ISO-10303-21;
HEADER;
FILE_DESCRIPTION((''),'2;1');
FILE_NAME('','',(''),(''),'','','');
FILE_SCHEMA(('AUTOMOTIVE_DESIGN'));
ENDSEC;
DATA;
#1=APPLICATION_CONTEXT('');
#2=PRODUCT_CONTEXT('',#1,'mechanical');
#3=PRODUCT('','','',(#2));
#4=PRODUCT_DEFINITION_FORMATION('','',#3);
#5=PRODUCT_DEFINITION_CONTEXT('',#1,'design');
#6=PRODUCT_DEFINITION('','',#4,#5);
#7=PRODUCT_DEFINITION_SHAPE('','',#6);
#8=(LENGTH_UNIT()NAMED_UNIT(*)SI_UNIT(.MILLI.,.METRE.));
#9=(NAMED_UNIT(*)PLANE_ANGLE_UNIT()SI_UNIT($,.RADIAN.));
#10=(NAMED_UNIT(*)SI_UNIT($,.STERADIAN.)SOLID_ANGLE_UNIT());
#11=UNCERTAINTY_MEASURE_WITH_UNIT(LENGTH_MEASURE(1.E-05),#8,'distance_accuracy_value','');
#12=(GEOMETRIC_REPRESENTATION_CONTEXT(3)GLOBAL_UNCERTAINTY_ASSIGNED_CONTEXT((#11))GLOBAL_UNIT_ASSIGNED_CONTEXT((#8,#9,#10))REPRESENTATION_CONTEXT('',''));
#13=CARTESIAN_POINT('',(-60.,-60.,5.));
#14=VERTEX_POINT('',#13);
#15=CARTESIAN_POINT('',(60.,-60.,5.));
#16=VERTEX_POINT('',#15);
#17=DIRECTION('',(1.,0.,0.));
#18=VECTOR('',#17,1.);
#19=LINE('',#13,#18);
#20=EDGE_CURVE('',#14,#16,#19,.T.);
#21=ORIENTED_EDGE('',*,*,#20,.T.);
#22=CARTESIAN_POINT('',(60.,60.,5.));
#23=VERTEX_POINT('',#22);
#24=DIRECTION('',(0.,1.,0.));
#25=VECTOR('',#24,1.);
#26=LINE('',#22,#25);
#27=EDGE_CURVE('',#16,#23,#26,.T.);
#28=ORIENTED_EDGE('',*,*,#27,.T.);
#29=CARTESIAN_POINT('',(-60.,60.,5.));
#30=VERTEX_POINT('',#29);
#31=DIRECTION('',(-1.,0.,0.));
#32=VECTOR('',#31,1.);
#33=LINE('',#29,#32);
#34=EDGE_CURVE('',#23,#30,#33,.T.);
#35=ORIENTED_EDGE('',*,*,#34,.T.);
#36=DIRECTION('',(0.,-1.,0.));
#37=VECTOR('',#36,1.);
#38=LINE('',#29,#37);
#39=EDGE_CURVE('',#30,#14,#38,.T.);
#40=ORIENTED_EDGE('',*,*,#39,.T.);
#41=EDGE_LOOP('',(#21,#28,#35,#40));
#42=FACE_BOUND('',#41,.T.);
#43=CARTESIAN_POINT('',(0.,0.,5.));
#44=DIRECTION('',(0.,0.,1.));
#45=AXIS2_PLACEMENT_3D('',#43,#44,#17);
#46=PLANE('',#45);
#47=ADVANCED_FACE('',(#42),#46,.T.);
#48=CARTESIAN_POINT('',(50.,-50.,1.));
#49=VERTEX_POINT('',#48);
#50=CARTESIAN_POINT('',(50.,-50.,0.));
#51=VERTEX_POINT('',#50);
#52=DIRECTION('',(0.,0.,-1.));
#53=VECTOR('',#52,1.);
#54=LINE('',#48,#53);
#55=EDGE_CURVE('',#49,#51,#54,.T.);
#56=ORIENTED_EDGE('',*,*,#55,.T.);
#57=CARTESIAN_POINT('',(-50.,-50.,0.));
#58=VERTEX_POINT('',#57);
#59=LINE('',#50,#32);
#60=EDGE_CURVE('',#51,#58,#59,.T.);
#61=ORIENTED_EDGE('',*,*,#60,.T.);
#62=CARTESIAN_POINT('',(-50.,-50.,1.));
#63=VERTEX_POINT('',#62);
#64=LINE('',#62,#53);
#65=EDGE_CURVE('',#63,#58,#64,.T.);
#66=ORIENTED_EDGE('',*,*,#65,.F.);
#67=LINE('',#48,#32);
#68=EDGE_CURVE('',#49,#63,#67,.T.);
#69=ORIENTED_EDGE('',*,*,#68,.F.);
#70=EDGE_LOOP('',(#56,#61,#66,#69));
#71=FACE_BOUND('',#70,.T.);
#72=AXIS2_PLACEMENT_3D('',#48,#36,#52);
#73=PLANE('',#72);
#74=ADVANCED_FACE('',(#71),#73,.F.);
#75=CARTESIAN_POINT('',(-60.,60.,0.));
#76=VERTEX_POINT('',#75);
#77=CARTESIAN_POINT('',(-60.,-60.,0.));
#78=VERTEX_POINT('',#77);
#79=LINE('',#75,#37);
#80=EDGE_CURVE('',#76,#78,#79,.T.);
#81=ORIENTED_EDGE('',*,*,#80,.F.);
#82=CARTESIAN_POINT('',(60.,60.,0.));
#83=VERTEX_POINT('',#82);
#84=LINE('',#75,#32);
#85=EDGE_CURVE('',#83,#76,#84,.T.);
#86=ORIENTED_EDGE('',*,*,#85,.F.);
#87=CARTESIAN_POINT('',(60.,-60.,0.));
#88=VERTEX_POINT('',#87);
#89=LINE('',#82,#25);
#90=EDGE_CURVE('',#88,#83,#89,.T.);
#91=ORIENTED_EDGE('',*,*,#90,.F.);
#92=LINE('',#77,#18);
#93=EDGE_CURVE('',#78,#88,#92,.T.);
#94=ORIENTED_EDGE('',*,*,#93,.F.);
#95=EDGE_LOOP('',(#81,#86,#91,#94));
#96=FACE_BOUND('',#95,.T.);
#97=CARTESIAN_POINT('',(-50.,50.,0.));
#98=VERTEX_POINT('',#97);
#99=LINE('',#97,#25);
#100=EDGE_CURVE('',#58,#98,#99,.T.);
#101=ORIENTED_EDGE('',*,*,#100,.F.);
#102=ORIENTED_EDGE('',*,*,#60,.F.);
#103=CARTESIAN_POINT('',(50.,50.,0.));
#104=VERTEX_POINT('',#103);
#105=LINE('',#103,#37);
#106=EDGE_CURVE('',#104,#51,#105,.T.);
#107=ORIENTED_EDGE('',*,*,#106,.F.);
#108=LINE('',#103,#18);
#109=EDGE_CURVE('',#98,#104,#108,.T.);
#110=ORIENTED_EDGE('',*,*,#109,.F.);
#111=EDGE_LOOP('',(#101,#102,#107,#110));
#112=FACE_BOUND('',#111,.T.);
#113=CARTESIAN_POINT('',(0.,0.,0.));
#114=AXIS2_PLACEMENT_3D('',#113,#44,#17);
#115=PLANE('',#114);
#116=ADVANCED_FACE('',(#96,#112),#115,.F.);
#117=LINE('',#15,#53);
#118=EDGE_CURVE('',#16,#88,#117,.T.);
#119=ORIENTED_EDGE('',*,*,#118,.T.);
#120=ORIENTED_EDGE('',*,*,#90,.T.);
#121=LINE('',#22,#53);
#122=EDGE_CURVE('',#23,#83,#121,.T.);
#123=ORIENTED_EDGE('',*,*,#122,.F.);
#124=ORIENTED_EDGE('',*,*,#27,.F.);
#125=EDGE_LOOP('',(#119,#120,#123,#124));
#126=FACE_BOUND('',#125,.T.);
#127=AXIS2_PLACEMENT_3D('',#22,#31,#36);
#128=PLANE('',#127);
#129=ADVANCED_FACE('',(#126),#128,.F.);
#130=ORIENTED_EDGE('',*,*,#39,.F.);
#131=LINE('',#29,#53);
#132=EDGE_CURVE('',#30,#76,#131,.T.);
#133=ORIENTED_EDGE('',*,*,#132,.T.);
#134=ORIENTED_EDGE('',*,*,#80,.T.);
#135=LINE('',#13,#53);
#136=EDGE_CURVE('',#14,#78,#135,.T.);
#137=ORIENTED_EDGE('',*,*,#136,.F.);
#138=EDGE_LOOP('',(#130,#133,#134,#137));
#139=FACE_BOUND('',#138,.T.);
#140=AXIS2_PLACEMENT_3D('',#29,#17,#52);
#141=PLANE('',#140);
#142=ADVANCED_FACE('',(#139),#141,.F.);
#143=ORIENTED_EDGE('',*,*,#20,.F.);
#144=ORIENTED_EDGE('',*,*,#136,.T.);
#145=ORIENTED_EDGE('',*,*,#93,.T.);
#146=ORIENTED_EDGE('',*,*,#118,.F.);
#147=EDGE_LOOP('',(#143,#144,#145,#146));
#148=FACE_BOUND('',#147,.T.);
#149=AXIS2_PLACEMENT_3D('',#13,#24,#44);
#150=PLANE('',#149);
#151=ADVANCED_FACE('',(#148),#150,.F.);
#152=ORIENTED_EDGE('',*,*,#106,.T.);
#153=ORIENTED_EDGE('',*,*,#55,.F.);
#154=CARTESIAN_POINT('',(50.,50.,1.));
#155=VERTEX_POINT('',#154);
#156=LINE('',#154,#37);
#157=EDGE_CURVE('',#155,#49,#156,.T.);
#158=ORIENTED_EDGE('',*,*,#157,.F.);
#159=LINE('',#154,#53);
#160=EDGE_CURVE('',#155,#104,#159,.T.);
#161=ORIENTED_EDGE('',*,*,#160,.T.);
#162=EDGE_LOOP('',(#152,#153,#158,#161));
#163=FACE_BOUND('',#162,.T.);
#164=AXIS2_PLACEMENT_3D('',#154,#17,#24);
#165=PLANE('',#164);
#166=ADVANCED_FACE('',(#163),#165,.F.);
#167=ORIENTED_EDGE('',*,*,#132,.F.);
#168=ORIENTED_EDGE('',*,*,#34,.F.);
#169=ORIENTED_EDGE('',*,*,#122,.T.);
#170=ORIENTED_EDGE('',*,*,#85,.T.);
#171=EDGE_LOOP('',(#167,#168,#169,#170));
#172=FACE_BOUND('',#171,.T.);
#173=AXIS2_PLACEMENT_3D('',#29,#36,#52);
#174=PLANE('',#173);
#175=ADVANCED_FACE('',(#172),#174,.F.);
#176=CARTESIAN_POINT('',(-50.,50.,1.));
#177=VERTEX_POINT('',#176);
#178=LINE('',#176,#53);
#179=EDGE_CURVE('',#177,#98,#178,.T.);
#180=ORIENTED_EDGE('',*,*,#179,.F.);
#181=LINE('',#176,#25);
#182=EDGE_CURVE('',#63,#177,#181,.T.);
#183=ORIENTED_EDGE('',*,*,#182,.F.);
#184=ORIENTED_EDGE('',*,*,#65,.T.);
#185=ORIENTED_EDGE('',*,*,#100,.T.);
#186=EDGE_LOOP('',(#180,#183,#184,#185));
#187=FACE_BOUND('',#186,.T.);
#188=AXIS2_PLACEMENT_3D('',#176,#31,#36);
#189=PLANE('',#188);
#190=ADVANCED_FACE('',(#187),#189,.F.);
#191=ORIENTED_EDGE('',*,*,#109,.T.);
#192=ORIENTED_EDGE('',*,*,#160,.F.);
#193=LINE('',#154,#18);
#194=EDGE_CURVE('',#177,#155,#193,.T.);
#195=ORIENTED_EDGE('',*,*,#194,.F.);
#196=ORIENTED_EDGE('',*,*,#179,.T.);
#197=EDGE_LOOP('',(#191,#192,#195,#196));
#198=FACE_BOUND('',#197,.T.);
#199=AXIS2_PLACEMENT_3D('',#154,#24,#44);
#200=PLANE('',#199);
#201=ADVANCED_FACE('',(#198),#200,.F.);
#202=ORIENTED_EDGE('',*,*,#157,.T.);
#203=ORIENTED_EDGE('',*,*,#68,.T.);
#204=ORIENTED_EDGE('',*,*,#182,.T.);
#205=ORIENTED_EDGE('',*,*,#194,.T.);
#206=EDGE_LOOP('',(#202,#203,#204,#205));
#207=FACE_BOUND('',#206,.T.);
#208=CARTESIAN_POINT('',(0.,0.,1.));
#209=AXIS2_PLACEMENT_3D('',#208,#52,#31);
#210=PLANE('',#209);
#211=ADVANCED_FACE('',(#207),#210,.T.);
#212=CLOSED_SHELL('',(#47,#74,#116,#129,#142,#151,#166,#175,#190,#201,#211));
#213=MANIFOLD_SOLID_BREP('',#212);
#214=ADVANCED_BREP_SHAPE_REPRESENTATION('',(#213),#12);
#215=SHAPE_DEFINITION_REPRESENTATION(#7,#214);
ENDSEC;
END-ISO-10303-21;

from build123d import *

# Parameters (mm, degrees)
CROQUIS1_W              = 120
CROQUIS1_H              = 120
SALIENTE_EXTRUIR1_DEPTH = 5
CROQUIS3_W              = 100
CROQUIS3_H              = 100
CORTAR_EXTRUIR1_DEPTH   = 1


with BuildPart() as part:
    # Croquis1 → Saliente-Extruir1 (new body)
    with BuildSketch(Plane.XY):
        Rectangle(CROQUIS1_W, CROQUIS1_H)
    extrude(amount=SALIENTE_EXTRUIR1_DEPTH)

    # Croquis3 → Cortar-Extruir1 (cut)
    with BuildSketch(Plane(origin=(0, 0, 0), x_dir=(-1, 0, 0), z_dir=(0, 0, -1))):
        Rectangle(CROQUIS3_W, CROQUIS3_H)
    extrude(amount=-CORTAR_EXTRUIR1_DEPTH, mode=Mode.SUBTRACT)


solid = part.part
